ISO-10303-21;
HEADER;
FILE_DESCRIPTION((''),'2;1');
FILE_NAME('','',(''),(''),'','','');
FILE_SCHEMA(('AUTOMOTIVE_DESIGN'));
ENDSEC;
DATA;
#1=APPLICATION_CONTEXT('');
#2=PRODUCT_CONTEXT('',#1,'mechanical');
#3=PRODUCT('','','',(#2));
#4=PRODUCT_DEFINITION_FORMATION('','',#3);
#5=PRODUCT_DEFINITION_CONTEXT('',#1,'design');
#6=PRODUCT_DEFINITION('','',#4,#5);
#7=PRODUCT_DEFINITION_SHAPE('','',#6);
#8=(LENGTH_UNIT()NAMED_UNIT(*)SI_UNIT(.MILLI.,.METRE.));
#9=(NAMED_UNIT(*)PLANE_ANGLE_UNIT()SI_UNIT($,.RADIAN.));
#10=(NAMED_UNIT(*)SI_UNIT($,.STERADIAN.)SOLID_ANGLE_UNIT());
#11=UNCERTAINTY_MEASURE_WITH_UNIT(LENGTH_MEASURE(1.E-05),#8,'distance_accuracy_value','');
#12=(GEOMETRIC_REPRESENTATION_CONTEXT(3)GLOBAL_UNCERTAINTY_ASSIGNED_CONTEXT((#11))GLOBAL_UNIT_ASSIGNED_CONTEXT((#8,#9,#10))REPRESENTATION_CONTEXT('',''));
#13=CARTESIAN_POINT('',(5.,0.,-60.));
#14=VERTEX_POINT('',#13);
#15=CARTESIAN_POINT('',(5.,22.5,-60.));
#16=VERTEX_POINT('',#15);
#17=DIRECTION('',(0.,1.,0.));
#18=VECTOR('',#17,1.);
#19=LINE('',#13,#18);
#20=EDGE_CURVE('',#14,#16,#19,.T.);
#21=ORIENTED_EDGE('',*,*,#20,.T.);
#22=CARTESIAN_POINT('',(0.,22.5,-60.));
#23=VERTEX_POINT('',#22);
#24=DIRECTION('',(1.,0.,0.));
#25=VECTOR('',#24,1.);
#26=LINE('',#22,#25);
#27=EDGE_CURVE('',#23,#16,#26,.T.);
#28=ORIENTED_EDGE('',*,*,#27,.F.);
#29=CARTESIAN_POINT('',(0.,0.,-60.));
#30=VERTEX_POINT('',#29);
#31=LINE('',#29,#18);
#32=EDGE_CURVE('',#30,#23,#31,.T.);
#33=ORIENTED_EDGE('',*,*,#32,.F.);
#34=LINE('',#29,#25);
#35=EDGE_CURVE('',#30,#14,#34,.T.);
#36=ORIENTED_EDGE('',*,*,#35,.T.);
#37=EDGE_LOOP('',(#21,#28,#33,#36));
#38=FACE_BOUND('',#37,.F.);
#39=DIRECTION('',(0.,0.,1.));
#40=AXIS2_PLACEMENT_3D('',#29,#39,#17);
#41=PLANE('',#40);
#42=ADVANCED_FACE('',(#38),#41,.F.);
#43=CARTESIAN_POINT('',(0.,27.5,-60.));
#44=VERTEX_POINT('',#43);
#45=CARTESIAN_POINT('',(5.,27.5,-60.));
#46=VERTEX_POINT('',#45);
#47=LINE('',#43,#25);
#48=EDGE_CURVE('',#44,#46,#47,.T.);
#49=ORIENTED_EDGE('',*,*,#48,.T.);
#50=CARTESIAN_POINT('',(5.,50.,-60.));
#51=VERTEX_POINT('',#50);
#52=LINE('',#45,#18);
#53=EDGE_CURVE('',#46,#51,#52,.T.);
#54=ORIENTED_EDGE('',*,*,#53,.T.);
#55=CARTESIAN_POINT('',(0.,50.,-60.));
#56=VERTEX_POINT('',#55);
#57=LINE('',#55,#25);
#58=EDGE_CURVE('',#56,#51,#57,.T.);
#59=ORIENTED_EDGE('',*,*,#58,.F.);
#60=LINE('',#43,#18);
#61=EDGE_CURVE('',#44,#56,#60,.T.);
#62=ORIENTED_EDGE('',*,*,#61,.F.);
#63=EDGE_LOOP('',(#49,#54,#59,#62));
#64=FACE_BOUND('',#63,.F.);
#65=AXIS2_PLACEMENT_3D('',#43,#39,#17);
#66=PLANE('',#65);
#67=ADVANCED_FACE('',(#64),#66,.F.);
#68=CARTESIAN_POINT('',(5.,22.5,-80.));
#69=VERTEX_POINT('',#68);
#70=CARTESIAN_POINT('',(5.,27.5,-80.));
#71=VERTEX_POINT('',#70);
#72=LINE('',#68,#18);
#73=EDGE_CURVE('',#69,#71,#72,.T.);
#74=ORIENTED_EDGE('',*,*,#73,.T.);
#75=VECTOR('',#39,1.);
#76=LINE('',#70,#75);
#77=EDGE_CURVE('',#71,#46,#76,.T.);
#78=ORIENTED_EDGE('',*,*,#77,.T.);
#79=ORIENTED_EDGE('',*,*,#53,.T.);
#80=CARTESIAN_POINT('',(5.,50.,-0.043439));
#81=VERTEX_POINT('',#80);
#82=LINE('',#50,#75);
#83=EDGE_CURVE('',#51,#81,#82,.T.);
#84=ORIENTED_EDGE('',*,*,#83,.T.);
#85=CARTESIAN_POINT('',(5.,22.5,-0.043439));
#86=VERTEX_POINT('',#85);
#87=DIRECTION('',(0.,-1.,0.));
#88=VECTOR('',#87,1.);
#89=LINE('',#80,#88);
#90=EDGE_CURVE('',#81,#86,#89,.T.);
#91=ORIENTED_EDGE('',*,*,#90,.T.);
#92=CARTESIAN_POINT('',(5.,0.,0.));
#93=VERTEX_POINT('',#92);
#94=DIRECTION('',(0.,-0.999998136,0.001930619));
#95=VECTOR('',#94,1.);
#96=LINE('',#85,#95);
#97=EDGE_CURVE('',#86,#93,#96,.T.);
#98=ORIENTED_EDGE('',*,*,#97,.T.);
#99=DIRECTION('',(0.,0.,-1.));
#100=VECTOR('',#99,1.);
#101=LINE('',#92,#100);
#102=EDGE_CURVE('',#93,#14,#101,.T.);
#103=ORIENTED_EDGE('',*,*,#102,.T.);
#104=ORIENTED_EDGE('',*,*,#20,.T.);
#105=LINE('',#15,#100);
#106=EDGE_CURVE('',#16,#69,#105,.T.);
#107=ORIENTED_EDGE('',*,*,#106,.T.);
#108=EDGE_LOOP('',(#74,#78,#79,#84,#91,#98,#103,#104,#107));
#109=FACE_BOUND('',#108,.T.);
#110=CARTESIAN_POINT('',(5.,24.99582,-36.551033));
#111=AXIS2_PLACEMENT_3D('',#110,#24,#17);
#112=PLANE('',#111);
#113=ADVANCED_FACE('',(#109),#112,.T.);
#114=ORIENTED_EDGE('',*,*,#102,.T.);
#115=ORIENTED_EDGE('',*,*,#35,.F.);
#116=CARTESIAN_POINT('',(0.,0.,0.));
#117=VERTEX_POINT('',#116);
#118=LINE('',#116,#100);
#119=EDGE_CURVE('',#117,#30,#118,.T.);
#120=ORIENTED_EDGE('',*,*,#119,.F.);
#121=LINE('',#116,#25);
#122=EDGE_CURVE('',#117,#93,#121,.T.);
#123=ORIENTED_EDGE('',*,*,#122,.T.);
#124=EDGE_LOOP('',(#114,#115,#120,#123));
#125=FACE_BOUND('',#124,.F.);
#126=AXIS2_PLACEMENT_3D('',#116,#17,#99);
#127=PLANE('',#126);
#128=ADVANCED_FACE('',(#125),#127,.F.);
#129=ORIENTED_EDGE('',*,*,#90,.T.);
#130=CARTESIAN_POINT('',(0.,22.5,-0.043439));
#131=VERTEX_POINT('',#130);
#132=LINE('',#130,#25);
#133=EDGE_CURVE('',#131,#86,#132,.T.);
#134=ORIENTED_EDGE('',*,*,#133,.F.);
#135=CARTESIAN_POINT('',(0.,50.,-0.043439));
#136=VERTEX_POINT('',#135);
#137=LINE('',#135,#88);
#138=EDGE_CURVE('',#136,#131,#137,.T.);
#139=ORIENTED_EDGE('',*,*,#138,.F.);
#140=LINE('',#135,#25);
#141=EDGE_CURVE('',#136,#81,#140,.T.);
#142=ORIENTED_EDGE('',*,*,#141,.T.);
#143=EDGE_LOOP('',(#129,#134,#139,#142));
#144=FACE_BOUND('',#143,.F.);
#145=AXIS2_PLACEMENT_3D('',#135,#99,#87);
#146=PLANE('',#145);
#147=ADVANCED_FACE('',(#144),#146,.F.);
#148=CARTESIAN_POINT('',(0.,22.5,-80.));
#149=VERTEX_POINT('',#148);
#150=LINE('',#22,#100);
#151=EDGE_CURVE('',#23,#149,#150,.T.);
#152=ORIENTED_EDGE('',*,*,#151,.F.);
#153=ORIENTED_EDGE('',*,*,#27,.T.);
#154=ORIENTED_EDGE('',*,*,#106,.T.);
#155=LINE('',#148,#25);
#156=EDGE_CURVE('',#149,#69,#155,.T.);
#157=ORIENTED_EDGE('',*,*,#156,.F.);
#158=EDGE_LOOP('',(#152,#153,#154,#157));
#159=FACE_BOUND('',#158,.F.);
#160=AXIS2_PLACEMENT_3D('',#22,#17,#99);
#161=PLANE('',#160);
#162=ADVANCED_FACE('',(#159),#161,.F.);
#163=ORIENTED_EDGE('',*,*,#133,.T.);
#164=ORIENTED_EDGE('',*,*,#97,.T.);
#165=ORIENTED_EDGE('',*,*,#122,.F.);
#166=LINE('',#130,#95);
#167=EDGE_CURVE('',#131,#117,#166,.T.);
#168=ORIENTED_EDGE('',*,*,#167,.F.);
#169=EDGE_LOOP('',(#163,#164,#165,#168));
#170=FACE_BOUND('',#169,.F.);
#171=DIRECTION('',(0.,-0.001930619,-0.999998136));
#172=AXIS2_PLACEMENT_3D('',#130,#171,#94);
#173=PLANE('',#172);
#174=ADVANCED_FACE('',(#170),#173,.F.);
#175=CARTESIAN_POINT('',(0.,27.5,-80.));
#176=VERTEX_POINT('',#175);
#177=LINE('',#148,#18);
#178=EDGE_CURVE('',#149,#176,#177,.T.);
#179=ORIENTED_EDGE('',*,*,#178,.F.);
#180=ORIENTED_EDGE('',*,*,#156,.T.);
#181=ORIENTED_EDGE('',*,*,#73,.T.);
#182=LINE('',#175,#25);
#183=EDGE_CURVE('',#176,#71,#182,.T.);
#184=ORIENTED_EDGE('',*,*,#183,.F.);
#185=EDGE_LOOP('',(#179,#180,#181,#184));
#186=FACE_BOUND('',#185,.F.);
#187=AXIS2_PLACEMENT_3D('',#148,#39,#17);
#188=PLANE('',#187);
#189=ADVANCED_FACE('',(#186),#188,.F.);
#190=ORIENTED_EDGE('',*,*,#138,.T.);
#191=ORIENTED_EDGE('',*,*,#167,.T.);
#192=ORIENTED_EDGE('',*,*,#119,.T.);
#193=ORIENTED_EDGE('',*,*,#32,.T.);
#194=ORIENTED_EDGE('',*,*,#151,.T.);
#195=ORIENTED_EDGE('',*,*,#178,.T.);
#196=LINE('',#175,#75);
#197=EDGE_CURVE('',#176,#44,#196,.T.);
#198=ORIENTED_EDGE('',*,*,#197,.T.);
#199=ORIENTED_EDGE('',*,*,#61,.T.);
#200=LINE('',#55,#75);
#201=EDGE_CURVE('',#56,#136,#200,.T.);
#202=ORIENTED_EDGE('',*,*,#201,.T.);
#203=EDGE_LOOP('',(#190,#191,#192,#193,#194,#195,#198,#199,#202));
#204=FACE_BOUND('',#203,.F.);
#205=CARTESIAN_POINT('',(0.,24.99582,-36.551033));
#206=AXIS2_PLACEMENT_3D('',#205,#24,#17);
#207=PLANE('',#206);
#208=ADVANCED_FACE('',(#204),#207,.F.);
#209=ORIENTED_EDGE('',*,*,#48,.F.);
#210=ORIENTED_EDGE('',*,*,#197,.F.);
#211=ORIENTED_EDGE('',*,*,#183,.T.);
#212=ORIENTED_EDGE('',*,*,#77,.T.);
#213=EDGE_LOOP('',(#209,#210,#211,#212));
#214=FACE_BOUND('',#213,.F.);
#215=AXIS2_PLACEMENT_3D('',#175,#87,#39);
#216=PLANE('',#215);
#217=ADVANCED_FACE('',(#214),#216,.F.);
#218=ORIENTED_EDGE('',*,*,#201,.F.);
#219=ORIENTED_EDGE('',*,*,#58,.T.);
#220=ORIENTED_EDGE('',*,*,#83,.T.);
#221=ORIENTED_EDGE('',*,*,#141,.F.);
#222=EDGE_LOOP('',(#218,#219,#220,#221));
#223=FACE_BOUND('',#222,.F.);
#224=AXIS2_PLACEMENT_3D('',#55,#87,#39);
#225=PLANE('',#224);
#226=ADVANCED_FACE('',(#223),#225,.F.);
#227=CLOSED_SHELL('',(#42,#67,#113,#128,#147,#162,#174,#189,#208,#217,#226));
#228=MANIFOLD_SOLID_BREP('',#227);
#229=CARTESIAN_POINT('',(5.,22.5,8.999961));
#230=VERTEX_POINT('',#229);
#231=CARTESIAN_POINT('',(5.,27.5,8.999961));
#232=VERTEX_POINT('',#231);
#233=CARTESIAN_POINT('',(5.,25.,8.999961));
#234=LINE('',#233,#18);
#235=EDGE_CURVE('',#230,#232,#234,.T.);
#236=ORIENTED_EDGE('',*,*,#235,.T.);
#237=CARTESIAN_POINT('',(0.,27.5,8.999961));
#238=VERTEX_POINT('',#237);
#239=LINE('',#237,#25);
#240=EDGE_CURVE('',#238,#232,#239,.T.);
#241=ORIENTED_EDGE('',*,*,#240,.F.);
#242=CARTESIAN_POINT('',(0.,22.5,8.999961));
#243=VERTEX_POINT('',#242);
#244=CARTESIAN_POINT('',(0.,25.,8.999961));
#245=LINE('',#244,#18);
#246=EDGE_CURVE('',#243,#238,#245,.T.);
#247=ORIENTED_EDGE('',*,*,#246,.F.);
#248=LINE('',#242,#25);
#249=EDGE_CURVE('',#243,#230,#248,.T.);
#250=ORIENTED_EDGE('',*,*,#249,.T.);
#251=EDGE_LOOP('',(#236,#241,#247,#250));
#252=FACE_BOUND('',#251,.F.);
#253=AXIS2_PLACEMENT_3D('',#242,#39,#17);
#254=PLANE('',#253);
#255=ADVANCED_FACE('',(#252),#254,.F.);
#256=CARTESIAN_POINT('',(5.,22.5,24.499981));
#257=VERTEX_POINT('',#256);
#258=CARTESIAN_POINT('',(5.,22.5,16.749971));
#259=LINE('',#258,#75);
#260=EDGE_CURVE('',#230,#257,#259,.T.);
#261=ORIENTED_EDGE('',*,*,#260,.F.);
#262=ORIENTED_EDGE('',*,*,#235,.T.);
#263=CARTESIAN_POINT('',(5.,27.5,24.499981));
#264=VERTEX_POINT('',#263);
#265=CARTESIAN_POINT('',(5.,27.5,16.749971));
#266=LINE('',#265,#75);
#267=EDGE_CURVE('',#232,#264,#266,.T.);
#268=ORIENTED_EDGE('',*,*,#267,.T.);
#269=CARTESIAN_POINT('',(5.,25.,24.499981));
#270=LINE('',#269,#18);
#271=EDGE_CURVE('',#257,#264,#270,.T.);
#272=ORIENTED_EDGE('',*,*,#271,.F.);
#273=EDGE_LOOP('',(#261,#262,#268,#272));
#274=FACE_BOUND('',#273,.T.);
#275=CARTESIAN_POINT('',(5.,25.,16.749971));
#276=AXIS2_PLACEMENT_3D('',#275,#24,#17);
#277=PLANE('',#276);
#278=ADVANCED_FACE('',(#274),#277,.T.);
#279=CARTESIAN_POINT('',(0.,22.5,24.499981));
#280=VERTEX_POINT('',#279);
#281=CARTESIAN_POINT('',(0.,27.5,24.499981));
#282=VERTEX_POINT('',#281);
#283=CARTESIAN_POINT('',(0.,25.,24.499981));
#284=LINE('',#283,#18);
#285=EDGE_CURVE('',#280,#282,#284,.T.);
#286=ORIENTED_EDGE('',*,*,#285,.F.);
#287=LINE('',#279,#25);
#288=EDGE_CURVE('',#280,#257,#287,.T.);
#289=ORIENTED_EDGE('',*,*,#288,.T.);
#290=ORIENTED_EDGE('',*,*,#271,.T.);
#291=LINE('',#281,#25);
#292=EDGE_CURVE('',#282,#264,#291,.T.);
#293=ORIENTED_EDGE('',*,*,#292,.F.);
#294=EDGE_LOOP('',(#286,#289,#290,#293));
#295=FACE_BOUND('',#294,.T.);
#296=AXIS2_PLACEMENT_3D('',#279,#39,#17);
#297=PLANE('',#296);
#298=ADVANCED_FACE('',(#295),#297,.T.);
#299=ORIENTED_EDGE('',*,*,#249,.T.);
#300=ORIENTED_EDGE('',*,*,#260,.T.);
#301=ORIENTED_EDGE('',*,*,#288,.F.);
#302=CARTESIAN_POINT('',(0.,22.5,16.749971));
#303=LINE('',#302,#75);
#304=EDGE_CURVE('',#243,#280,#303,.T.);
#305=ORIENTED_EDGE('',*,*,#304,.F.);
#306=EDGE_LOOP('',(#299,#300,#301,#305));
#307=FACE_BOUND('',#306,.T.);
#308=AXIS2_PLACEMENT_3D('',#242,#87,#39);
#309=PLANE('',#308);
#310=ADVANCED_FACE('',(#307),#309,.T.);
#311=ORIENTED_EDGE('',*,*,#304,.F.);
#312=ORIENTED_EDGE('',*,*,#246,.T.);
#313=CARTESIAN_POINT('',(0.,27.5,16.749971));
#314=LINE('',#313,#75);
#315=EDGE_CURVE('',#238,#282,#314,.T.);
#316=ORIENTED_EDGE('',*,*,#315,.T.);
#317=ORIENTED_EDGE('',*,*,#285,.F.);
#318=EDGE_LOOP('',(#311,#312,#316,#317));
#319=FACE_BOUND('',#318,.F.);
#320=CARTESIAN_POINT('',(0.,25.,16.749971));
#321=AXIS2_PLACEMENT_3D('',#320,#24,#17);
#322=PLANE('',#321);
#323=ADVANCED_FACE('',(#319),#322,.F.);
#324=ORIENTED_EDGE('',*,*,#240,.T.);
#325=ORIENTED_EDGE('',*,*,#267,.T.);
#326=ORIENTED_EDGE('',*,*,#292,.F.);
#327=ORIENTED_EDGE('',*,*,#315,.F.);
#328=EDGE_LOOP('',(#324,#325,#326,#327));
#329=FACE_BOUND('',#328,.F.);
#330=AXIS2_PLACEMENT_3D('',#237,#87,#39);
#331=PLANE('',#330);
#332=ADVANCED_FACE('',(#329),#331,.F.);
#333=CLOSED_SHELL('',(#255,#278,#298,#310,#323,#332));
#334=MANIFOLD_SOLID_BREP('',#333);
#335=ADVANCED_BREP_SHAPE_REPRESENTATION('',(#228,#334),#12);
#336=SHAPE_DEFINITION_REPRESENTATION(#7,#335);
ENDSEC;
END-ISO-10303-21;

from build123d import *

# Parameters (mm, degrees)
F0_W     = 5
F0_H     = 15.50002
F1_DEPTH = 5


with BuildPart() as f1:
    # F0 (on Right) → F1 (new body)
    with BuildSketch(Plane.YZ):
        Polygon((22.5, -0.043439), (0, 0), (0, -60), (12, -60), (12.401176, -60), (22.5, -60), (22.5, -80), (27.5, -80), (27.5, -60), (50, -60), (50, -0.043439), align=None)
        with Locations((25, 16.749971)):
            Rectangle(F0_W, F0_H)
    extrude(amount=F1_DEPTH)


solid = f1.part
